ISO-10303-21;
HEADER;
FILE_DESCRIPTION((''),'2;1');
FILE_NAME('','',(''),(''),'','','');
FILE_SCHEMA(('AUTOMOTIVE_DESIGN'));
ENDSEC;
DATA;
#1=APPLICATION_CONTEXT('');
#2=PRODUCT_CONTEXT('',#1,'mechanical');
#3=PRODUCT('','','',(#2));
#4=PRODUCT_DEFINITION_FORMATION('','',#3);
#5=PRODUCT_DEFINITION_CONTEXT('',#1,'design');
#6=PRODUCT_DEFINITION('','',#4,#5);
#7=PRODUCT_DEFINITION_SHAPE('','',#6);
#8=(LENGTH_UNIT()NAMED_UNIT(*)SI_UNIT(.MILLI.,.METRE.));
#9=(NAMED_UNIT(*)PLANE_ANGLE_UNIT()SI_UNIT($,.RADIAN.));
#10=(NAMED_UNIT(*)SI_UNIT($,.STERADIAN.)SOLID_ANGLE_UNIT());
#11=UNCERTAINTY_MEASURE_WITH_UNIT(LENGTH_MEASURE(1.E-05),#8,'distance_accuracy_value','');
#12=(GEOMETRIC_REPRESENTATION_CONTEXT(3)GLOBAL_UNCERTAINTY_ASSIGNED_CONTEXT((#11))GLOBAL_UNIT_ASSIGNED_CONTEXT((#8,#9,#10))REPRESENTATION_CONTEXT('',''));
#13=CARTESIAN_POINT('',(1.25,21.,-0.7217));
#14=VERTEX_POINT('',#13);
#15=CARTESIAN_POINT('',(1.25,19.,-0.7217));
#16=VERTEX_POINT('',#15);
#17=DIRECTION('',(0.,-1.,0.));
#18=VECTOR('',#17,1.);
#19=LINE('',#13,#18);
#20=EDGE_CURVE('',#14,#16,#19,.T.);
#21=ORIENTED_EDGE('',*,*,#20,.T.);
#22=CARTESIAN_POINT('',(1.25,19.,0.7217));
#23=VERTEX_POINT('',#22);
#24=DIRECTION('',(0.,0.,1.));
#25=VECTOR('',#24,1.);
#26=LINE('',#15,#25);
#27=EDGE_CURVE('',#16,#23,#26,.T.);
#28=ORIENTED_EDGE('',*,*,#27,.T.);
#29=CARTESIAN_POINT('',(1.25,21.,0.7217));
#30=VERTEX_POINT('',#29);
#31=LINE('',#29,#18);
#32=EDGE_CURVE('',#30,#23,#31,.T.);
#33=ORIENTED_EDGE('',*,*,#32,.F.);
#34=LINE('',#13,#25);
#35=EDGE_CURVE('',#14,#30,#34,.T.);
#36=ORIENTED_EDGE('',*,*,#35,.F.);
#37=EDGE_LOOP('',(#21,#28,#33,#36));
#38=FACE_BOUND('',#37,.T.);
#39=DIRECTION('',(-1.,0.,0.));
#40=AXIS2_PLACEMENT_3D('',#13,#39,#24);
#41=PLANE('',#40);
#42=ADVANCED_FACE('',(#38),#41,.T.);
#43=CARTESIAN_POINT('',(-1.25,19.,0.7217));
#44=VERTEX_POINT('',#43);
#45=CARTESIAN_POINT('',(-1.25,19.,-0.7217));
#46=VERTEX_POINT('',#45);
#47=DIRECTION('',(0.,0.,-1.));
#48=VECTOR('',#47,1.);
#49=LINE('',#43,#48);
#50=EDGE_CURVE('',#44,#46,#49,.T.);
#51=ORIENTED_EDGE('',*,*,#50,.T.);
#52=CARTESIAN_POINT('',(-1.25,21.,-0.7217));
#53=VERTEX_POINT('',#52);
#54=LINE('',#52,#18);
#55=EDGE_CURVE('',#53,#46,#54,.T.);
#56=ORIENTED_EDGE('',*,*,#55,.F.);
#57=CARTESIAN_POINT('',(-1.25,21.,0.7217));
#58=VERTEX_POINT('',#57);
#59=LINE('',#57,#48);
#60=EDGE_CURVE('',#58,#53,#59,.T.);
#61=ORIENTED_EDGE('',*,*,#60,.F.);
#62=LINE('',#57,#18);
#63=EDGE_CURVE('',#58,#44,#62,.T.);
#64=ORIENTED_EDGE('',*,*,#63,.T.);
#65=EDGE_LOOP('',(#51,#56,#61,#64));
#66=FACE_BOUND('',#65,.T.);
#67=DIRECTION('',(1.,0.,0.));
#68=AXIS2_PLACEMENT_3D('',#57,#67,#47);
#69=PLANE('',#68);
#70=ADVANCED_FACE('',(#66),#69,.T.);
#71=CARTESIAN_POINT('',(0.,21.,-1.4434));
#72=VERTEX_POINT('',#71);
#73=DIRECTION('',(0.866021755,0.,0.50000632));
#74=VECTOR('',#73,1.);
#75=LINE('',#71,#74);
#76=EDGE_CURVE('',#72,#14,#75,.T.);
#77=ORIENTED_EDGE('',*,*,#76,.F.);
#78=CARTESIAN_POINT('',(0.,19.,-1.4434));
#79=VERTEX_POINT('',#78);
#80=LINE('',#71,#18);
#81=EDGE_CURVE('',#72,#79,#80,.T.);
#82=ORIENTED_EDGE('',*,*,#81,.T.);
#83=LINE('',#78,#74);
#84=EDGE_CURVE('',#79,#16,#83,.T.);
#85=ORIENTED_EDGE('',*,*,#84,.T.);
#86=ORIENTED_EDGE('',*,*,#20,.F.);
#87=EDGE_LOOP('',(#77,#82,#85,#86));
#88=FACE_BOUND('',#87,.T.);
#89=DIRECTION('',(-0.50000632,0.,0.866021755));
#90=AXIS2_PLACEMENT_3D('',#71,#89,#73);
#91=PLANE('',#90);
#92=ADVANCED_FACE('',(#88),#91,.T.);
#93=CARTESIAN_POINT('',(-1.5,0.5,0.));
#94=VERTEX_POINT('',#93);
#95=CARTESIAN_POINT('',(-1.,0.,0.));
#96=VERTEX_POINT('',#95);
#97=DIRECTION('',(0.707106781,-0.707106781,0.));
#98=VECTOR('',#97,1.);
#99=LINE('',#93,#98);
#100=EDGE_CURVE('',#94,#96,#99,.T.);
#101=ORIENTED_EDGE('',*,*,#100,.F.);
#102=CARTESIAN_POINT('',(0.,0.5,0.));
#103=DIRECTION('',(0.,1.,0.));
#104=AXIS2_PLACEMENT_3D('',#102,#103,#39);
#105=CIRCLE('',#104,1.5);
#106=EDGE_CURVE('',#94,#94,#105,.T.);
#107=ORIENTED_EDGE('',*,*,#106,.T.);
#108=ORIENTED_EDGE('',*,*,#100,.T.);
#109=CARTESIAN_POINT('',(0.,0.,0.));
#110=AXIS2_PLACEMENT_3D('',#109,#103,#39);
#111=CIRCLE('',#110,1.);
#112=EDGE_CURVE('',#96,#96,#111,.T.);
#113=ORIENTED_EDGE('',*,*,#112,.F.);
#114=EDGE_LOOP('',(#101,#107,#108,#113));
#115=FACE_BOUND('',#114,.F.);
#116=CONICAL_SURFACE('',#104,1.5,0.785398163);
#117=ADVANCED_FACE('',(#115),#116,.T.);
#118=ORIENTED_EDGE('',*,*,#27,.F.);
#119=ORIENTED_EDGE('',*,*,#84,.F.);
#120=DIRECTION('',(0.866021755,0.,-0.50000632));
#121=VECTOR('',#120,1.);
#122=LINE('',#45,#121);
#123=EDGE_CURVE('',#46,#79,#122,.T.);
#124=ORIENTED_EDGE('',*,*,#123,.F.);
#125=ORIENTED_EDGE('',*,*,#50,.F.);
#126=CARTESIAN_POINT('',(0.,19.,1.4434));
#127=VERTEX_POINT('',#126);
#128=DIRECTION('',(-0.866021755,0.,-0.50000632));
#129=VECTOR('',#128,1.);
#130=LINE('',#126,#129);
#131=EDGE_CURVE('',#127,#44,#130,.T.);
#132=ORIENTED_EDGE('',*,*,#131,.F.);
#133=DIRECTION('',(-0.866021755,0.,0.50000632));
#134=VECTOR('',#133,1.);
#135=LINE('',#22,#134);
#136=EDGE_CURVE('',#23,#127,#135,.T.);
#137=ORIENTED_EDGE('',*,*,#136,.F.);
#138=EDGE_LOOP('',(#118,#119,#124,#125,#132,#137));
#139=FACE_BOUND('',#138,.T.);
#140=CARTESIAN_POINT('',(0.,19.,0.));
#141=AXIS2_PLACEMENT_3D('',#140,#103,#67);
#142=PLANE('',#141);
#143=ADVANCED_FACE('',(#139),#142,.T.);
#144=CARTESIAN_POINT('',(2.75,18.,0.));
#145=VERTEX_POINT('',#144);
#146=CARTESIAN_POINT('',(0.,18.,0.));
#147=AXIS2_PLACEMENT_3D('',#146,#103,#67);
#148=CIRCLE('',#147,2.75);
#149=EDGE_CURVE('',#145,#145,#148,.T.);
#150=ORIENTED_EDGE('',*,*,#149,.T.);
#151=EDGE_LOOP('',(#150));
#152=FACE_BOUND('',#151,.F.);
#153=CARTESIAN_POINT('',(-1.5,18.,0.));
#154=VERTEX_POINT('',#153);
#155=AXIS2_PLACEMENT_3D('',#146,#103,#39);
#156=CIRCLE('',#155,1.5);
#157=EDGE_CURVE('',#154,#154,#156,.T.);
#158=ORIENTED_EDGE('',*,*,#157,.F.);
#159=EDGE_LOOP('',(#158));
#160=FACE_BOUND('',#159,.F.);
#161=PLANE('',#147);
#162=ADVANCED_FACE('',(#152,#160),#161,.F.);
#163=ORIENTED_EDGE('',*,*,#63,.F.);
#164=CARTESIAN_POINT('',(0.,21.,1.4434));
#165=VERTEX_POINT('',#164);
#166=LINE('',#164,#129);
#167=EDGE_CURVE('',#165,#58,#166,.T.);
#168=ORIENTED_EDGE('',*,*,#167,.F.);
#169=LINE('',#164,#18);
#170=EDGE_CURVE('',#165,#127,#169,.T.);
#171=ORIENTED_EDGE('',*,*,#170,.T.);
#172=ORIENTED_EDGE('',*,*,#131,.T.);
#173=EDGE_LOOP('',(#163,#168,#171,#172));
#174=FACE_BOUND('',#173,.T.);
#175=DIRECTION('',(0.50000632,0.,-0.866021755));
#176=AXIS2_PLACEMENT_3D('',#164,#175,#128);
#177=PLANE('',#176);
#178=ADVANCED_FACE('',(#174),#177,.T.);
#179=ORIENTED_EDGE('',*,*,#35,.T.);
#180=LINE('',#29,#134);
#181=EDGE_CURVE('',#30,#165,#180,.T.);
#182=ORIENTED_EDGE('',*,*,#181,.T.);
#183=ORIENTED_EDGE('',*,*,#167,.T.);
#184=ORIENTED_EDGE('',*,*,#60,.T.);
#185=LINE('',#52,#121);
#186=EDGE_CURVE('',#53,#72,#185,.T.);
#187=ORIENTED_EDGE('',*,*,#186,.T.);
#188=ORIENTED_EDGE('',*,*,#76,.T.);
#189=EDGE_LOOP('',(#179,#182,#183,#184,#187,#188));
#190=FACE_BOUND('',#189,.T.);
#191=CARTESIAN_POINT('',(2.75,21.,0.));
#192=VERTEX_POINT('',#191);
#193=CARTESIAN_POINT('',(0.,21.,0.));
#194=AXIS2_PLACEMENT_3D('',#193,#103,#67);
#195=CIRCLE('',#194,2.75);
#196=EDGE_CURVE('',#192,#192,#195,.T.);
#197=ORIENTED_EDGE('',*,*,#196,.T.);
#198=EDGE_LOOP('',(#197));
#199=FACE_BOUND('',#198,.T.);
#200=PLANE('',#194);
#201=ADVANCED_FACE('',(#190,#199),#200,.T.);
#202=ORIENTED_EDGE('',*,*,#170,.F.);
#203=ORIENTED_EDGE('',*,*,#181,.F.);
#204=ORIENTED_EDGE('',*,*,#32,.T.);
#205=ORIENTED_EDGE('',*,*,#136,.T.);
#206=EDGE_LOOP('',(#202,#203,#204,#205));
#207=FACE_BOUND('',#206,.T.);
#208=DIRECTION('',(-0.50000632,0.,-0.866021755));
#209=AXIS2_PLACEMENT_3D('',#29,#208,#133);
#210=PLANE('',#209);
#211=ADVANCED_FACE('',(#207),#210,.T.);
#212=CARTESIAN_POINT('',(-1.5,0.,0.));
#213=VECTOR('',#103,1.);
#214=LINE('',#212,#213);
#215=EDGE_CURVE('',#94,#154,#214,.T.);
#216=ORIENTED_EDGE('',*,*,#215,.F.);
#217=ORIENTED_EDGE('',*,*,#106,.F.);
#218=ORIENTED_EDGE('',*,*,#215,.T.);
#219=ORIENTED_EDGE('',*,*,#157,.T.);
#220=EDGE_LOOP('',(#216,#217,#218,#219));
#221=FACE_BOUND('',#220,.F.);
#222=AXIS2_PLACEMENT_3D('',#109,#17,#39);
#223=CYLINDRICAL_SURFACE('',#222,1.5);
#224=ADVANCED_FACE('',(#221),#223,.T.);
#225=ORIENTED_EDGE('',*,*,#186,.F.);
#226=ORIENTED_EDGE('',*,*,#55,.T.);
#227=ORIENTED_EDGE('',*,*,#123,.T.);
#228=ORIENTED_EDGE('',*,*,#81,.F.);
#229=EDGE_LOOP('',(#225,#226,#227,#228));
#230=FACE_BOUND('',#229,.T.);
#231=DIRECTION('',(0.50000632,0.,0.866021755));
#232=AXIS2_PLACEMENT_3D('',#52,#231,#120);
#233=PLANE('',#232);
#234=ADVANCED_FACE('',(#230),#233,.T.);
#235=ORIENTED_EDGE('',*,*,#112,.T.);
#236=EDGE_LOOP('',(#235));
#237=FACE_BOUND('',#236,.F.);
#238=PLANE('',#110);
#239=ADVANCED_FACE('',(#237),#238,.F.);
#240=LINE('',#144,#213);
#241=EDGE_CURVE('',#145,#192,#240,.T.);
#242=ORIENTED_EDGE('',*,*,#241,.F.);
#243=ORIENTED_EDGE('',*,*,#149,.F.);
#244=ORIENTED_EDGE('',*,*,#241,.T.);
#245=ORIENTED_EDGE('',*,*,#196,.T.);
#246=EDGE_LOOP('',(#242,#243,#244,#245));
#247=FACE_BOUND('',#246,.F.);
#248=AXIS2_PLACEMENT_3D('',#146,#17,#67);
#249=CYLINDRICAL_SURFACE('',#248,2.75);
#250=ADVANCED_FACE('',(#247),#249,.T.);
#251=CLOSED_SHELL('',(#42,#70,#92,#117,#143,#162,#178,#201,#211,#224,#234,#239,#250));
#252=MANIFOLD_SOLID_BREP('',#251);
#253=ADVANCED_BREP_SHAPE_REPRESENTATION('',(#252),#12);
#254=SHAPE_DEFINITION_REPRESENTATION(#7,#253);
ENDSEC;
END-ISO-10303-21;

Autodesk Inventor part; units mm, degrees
ref_plane "YZ Plane" through (0, 0, 0) normal (1, 0, 0) x (0, 1, 0)
ref_plane "XZ Plane" through (0, 0, 0) normal (0, 1, 0) x (-1, 0, 0)
ref_plane "XY Plane" through (0, 0, 0) normal (0, 0, 1) x (1, 0, 0)
sketch "Sketch1" plane through (0, 0, 0) normal (0, 1, 0) x (-1, 0, 0)
  circle A0 centre (0, 0) radius 1.5
  dimension "d0" = 3
extrude "Extrusion1" add sketch "Sketch1" along normal blind 18
sketch "Sketch2" plane through (0, 18, 0) normal (0, 1, 0) x (1, 0, 0)
  circle A0 centre (0, 0) radius 1.5 projected
  circle A1 centre (0, 0) radius 2.75
  dimension "d3" = 5.5
extrude "Extrusion2" add sketch "Sketch2" along normal blind 3 contours A0 | A1
sketch "Sketch3" plane through (0, 21, 0) normal (0, 1, 0) x (1, 0, 0)
  circle A0 centre (0, 0) radius 2.75 projected
  line L0 (0, 1.4434) -> (1.25, 0.7217)
  line L1 (1.25, 0.7217) -> (1.25, -0.7217)
  line L2 (1.25, -0.7217) -> (0, -1.4434)
  line L3 (0, -1.4434) -> (-1.25, -0.7217)
  line L4 (-1.25, -0.7217) -> (-1.25, 0.7217)
  line L5 (-1.25, 0.7217) -> (0, 1.4434)
  dimension "d6" = 2.5
extrude "Extrusion3" cut sketch "Sketch3" against normal blind 2 contours L0 L1 L2 L3 L4 L5
thread "Thread1" size "M3x0.5" class "6g" standard "ANSI Metric M Profile" full length
chamfer "Chamfer1" distance 0.5 angle 45 1 edges at (1.5, 0, 0)
properties part number "M3x18SHCS" material "Stainless Steel"
